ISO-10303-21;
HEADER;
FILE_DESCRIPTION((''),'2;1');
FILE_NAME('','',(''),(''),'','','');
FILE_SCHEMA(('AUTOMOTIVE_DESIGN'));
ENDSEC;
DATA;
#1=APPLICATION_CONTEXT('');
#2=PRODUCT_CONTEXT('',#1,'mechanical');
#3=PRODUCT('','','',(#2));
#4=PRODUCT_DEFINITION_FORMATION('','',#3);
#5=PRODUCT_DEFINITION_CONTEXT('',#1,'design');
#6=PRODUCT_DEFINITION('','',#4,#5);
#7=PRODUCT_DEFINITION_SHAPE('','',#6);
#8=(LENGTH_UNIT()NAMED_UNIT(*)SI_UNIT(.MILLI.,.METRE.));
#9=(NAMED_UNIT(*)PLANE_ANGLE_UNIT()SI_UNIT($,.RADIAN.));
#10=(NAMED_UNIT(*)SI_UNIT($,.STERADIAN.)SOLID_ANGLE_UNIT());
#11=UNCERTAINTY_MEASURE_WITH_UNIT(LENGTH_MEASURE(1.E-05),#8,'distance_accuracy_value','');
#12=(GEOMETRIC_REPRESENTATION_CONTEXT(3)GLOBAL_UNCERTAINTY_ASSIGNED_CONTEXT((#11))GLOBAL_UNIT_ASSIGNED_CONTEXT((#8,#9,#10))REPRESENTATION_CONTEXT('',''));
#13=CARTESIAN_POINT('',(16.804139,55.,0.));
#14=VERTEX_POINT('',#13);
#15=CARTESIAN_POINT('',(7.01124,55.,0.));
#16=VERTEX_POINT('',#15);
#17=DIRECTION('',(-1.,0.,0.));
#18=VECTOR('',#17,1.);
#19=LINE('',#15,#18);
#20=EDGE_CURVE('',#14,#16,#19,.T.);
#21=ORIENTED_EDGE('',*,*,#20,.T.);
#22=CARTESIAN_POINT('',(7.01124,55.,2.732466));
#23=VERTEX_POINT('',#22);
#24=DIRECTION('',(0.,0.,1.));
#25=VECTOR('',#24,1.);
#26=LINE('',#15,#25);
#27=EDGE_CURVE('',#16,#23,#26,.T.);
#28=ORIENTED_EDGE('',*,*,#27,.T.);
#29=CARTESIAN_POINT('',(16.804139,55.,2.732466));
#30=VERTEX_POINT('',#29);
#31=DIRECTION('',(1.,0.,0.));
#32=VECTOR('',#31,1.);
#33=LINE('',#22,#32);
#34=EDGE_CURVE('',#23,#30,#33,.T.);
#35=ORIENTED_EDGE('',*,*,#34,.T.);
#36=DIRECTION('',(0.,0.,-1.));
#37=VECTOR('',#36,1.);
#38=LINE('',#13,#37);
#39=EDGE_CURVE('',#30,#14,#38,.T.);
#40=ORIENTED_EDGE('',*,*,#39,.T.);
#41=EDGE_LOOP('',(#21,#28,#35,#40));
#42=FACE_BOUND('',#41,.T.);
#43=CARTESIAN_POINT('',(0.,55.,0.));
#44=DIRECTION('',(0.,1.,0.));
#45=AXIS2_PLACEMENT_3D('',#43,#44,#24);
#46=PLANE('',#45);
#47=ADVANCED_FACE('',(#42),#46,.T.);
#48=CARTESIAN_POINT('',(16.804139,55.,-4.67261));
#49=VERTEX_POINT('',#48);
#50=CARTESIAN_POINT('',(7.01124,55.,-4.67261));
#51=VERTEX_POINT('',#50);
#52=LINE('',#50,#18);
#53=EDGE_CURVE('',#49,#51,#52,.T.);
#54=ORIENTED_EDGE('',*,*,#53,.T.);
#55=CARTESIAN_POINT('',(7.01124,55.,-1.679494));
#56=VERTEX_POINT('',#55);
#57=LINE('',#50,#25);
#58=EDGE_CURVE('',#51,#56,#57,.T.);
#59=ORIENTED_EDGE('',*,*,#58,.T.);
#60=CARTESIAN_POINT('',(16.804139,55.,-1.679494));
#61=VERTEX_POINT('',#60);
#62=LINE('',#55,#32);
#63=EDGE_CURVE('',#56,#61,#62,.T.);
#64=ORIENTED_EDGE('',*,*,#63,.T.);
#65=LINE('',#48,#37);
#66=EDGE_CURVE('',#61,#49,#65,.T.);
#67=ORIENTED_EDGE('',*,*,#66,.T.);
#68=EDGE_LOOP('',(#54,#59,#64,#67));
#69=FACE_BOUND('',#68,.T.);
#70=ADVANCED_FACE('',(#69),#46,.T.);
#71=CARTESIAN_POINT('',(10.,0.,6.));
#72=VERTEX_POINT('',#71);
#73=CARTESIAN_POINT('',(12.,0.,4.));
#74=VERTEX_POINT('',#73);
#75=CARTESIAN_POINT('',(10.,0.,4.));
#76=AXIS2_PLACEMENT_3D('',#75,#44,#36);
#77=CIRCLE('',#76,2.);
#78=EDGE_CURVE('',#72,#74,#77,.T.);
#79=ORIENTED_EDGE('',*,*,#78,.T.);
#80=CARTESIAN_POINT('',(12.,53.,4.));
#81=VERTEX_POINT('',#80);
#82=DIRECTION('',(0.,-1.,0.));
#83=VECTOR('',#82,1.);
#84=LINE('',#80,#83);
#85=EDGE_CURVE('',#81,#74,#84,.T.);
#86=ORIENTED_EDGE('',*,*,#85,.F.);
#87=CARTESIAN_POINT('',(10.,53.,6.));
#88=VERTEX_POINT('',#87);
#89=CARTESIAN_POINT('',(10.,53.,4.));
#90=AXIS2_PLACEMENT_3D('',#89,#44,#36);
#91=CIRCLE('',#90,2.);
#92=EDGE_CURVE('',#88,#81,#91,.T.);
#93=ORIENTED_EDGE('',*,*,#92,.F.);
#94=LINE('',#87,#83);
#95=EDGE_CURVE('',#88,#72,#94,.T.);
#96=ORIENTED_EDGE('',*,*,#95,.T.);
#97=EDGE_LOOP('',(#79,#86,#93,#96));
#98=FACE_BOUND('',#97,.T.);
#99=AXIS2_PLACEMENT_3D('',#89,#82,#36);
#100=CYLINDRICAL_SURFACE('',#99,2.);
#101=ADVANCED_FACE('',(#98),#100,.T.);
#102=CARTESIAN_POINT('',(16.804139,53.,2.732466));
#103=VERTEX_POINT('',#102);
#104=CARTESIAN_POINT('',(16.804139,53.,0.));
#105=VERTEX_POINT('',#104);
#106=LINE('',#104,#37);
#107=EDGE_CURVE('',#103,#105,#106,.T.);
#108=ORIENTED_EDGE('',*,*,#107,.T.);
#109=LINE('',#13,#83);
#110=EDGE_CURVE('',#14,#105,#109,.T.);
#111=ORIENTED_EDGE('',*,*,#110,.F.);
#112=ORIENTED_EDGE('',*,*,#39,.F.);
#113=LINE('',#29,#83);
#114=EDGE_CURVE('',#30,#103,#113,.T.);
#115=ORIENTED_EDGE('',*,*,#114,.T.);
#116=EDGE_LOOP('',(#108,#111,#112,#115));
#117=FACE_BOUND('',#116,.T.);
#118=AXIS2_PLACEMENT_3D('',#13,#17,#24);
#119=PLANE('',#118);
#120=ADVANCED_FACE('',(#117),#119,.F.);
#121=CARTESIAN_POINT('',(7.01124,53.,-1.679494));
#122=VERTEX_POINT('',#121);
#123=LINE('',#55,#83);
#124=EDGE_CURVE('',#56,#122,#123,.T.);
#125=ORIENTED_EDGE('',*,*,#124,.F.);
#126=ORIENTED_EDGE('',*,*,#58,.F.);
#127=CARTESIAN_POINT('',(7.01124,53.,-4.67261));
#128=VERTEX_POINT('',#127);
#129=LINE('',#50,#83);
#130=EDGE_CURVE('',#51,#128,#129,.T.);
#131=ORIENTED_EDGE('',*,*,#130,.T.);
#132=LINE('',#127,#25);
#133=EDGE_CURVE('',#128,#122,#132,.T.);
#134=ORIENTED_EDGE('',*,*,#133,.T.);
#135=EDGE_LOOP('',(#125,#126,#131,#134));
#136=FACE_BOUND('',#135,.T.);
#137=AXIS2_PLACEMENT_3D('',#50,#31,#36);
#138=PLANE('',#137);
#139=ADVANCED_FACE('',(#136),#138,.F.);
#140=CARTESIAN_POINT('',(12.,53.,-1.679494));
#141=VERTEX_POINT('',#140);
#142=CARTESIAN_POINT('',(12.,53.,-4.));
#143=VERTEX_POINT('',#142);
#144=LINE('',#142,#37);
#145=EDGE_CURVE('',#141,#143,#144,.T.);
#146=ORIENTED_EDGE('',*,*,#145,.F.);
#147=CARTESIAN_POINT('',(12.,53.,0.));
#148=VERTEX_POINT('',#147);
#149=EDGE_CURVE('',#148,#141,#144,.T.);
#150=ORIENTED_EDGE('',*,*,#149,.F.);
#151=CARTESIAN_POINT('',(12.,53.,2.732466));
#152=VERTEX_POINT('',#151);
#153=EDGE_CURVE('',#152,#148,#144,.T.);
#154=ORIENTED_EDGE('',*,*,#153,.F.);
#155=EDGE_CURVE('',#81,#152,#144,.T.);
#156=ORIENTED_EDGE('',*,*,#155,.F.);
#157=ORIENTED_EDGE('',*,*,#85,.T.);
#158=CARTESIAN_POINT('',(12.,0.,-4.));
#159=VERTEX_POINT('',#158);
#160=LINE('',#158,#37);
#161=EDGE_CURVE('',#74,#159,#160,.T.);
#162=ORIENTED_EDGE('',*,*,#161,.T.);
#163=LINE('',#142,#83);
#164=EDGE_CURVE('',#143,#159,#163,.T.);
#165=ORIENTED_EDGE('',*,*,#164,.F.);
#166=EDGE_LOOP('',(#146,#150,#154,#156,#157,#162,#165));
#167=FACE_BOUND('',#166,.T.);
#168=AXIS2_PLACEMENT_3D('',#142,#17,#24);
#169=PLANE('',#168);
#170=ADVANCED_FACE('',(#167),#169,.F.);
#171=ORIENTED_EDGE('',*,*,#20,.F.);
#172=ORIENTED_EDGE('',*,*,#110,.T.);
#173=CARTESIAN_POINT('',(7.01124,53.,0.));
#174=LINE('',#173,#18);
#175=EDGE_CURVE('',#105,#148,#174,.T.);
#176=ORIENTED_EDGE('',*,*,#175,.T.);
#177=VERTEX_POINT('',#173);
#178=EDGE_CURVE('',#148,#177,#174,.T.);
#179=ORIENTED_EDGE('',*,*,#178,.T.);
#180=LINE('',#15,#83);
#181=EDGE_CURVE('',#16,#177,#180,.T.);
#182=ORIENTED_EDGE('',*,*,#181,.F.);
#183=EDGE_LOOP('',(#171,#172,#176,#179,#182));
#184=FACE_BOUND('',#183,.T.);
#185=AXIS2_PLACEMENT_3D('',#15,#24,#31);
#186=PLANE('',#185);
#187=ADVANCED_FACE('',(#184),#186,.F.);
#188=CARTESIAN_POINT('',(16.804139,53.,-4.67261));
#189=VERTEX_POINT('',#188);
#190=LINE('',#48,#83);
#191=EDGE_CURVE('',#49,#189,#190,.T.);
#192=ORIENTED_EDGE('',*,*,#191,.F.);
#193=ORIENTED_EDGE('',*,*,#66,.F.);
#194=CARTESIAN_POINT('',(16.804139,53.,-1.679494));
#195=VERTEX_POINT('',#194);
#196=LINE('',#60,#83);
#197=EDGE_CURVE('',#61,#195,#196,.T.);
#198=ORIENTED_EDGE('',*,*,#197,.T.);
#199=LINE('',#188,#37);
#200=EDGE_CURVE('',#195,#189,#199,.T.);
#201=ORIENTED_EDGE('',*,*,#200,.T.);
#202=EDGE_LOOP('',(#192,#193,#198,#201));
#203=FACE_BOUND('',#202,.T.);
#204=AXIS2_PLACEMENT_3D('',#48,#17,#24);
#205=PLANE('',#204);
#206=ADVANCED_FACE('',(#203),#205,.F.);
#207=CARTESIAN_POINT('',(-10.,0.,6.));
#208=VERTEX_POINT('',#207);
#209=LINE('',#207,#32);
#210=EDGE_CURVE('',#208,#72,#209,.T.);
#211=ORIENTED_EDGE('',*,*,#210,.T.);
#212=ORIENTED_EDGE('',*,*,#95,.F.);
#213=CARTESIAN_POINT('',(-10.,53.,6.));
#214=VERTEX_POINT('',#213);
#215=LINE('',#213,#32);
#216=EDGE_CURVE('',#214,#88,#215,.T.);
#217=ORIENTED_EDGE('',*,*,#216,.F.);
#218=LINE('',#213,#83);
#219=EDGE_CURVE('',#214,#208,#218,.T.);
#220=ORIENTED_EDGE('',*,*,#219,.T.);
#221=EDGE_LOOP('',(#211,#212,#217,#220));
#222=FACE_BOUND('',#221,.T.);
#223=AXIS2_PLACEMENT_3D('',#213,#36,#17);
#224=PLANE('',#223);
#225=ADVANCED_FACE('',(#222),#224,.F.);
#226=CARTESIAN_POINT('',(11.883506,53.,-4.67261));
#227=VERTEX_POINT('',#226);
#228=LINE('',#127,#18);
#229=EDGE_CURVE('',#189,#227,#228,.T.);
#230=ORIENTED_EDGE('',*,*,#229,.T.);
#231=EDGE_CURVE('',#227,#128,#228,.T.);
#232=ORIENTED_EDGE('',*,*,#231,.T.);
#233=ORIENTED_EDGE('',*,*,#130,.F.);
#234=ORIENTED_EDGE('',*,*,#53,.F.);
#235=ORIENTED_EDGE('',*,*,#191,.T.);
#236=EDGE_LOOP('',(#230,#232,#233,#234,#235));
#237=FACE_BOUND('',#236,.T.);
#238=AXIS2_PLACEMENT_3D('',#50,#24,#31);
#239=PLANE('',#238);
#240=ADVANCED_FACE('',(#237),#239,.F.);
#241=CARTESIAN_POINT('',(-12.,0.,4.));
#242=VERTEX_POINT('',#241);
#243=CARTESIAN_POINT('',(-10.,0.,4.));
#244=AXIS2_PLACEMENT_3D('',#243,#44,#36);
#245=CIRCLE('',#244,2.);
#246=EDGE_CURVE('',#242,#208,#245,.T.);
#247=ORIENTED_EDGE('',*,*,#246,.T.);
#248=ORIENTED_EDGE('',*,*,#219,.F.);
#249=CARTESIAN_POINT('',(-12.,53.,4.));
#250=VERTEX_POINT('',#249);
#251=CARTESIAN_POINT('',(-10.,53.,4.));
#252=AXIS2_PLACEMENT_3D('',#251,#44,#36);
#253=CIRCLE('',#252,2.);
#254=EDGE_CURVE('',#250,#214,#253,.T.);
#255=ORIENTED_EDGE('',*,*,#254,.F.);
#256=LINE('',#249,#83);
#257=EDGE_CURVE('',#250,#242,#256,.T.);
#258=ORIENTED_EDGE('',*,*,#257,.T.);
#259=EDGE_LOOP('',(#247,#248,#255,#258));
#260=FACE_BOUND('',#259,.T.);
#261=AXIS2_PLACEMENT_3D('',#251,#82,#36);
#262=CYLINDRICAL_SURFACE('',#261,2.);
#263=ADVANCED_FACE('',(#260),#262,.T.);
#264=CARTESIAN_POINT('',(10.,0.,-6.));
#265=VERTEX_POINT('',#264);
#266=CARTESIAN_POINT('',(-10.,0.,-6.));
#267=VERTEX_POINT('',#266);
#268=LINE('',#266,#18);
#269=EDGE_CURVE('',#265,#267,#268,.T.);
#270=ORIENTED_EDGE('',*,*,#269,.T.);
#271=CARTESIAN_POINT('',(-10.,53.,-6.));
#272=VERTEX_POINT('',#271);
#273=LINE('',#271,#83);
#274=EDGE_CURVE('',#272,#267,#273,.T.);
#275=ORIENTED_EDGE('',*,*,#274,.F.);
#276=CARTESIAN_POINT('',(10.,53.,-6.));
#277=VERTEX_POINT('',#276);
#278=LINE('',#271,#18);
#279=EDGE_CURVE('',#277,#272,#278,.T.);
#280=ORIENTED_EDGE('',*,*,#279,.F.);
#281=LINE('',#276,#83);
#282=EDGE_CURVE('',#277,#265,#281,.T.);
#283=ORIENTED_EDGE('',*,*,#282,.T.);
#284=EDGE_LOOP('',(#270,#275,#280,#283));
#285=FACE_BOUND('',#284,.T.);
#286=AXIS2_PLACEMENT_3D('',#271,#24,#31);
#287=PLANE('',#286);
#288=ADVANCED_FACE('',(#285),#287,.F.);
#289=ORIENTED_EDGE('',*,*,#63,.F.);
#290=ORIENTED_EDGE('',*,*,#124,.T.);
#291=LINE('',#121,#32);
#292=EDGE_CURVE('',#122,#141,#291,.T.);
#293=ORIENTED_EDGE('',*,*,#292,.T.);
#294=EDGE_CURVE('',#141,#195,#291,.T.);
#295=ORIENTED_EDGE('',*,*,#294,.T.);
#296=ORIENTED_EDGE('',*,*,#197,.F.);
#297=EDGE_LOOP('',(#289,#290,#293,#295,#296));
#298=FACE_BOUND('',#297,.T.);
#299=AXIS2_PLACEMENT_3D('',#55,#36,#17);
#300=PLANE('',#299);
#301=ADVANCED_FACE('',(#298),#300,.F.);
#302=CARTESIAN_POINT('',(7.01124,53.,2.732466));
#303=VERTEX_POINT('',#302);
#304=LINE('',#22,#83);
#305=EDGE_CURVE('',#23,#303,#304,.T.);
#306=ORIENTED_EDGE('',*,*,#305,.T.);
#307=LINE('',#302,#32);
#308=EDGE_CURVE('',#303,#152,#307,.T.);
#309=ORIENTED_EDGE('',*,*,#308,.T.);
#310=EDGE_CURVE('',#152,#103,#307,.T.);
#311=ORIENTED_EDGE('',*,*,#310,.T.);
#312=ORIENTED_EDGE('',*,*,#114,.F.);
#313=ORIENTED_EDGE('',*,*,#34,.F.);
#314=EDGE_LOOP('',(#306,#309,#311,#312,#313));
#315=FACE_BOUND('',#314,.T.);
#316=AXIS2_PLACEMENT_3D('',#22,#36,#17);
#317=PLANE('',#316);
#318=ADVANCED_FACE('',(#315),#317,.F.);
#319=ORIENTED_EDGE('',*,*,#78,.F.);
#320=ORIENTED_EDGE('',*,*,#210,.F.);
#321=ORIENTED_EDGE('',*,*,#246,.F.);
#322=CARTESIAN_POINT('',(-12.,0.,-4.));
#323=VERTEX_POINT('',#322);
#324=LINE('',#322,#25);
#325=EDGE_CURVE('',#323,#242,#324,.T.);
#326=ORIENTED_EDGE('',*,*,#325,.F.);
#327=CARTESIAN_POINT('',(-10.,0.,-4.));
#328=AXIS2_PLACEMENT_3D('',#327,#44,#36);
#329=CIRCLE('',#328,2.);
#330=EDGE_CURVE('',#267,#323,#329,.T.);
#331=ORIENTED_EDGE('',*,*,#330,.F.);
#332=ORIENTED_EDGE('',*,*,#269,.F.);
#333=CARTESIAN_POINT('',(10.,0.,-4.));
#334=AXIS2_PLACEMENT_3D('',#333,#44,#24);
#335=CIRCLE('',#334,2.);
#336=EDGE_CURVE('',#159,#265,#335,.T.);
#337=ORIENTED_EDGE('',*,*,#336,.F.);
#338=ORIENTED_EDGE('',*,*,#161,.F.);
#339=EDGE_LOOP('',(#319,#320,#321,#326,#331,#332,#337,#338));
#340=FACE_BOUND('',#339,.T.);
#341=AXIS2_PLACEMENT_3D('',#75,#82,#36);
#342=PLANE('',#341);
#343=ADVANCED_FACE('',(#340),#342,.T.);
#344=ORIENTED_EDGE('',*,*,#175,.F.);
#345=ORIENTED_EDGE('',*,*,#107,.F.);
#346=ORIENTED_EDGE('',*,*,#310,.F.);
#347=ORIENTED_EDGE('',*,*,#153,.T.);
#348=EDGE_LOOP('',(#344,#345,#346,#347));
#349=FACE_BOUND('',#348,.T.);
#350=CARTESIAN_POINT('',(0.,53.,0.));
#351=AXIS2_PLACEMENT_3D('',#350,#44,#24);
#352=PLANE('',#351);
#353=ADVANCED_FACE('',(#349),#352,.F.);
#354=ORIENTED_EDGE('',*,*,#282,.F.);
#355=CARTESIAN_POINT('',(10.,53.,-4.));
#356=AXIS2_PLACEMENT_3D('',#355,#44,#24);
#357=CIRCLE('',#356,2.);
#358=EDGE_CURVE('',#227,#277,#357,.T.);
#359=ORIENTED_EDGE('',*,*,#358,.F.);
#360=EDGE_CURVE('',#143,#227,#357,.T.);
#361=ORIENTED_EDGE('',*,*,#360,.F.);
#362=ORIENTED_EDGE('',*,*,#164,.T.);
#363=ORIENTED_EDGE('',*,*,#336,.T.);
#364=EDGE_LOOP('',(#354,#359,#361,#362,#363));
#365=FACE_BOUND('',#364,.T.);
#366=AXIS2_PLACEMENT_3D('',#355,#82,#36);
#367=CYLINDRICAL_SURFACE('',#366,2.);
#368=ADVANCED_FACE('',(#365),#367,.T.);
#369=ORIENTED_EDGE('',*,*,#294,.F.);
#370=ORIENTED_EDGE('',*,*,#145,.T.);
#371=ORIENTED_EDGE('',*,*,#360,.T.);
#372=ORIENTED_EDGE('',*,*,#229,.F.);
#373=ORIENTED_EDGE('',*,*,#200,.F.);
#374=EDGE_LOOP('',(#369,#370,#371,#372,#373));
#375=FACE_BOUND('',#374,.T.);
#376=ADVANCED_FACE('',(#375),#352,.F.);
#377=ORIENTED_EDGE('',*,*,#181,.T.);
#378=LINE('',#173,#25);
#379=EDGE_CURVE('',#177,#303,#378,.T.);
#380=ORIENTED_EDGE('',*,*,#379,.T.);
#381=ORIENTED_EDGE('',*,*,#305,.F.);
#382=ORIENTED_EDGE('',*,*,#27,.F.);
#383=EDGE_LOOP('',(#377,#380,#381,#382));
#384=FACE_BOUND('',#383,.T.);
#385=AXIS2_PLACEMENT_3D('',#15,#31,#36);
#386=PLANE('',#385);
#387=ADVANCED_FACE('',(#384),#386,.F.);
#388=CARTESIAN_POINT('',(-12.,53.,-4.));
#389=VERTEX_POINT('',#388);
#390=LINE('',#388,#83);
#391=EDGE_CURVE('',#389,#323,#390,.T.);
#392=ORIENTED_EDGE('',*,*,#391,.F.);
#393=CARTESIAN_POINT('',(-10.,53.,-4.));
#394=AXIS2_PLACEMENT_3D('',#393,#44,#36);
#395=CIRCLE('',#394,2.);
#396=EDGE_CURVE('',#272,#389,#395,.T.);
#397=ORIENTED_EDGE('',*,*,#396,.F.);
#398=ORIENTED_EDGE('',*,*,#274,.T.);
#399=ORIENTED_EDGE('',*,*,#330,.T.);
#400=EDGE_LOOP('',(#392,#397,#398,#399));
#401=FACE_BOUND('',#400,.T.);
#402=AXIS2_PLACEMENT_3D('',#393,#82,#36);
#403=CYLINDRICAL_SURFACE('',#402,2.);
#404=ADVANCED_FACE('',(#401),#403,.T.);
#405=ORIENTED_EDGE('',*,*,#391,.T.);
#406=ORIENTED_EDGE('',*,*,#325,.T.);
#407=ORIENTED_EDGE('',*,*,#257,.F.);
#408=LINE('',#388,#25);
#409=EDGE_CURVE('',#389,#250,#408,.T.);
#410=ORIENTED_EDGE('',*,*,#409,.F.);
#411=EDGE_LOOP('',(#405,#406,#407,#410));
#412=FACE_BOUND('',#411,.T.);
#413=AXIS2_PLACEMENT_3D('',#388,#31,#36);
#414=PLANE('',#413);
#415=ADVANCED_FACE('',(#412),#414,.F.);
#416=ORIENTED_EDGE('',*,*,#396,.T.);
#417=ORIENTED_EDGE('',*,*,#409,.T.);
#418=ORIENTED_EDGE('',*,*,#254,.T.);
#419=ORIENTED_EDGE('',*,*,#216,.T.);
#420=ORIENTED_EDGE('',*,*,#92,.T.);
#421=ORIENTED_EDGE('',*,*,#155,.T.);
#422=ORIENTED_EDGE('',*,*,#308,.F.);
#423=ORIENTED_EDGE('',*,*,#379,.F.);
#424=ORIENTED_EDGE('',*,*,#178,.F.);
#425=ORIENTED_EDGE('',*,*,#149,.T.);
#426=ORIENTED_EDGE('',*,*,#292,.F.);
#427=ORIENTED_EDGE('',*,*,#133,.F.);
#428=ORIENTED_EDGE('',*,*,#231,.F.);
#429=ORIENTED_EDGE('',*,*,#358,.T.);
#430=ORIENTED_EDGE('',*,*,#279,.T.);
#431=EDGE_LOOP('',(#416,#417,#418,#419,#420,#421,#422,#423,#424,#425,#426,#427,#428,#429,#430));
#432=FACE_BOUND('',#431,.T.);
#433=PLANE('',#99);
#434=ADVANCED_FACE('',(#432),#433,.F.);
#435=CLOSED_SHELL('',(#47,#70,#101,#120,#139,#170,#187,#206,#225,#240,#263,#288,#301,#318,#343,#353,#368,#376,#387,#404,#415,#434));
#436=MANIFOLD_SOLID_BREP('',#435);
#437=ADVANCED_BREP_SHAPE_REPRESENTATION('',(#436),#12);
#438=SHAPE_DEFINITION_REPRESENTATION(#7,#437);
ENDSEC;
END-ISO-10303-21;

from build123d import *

# Parameters (mm, degrees)
BOSS_EXTRUDE1_DEPTH = 53
SKETCH2_W           = 9.792899242
SKETCH2_H           = 2.993116411
SKETCH2_H_2         = 2.732466193
BOSS_EXTRUDE2_DEPTH = 2


with BuildPart() as part:
    # Sketch1 → Boss-Extrude1 (new body)
    with BuildSketch(Plane(origin=(0, 0, 0), x_dir=(1, 0, 0), z_dir=(0, 1, 0))):
        with BuildLine():
            Line((-10, 6), (10, 6))
            ThreePointArc((10, 6), (11.414213562, 5.414213562), (12, 4))
            Line((12, 4), (12, -4))
            ThreePointArc((12, -4), (11.414213562, -5.414213562), (10, -6))
            Line((10, -6), (-10, -6))
            ThreePointArc((-10, -6), (-11.414213562, -5.414213562), (-12, -4))
            Line((-12, -4), (-12, 4))
            ThreePointArc((-12, 4), (-11.414213562, 5.414213562), (-10, 6))
        make_face()
    extrude(amount=BOSS_EXTRUDE1_DEPTH)

    # Sketch2 → Boss-Extrude2 (add)
    with BuildSketch(Plane(origin=(0, 53, 0), x_dir=(1, 0, 0), z_dir=(0, 1, 0))):
        with Locations((11.907689601, 3.176051955)):
            Rectangle(SKETCH2_W, SKETCH2_H)
        with Locations((11.907689601, -1.366233097)):
            Rectangle(SKETCH2_W, SKETCH2_H_2)
    extrude(amount=BOSS_EXTRUDE2_DEPTH)


solid = part.part
